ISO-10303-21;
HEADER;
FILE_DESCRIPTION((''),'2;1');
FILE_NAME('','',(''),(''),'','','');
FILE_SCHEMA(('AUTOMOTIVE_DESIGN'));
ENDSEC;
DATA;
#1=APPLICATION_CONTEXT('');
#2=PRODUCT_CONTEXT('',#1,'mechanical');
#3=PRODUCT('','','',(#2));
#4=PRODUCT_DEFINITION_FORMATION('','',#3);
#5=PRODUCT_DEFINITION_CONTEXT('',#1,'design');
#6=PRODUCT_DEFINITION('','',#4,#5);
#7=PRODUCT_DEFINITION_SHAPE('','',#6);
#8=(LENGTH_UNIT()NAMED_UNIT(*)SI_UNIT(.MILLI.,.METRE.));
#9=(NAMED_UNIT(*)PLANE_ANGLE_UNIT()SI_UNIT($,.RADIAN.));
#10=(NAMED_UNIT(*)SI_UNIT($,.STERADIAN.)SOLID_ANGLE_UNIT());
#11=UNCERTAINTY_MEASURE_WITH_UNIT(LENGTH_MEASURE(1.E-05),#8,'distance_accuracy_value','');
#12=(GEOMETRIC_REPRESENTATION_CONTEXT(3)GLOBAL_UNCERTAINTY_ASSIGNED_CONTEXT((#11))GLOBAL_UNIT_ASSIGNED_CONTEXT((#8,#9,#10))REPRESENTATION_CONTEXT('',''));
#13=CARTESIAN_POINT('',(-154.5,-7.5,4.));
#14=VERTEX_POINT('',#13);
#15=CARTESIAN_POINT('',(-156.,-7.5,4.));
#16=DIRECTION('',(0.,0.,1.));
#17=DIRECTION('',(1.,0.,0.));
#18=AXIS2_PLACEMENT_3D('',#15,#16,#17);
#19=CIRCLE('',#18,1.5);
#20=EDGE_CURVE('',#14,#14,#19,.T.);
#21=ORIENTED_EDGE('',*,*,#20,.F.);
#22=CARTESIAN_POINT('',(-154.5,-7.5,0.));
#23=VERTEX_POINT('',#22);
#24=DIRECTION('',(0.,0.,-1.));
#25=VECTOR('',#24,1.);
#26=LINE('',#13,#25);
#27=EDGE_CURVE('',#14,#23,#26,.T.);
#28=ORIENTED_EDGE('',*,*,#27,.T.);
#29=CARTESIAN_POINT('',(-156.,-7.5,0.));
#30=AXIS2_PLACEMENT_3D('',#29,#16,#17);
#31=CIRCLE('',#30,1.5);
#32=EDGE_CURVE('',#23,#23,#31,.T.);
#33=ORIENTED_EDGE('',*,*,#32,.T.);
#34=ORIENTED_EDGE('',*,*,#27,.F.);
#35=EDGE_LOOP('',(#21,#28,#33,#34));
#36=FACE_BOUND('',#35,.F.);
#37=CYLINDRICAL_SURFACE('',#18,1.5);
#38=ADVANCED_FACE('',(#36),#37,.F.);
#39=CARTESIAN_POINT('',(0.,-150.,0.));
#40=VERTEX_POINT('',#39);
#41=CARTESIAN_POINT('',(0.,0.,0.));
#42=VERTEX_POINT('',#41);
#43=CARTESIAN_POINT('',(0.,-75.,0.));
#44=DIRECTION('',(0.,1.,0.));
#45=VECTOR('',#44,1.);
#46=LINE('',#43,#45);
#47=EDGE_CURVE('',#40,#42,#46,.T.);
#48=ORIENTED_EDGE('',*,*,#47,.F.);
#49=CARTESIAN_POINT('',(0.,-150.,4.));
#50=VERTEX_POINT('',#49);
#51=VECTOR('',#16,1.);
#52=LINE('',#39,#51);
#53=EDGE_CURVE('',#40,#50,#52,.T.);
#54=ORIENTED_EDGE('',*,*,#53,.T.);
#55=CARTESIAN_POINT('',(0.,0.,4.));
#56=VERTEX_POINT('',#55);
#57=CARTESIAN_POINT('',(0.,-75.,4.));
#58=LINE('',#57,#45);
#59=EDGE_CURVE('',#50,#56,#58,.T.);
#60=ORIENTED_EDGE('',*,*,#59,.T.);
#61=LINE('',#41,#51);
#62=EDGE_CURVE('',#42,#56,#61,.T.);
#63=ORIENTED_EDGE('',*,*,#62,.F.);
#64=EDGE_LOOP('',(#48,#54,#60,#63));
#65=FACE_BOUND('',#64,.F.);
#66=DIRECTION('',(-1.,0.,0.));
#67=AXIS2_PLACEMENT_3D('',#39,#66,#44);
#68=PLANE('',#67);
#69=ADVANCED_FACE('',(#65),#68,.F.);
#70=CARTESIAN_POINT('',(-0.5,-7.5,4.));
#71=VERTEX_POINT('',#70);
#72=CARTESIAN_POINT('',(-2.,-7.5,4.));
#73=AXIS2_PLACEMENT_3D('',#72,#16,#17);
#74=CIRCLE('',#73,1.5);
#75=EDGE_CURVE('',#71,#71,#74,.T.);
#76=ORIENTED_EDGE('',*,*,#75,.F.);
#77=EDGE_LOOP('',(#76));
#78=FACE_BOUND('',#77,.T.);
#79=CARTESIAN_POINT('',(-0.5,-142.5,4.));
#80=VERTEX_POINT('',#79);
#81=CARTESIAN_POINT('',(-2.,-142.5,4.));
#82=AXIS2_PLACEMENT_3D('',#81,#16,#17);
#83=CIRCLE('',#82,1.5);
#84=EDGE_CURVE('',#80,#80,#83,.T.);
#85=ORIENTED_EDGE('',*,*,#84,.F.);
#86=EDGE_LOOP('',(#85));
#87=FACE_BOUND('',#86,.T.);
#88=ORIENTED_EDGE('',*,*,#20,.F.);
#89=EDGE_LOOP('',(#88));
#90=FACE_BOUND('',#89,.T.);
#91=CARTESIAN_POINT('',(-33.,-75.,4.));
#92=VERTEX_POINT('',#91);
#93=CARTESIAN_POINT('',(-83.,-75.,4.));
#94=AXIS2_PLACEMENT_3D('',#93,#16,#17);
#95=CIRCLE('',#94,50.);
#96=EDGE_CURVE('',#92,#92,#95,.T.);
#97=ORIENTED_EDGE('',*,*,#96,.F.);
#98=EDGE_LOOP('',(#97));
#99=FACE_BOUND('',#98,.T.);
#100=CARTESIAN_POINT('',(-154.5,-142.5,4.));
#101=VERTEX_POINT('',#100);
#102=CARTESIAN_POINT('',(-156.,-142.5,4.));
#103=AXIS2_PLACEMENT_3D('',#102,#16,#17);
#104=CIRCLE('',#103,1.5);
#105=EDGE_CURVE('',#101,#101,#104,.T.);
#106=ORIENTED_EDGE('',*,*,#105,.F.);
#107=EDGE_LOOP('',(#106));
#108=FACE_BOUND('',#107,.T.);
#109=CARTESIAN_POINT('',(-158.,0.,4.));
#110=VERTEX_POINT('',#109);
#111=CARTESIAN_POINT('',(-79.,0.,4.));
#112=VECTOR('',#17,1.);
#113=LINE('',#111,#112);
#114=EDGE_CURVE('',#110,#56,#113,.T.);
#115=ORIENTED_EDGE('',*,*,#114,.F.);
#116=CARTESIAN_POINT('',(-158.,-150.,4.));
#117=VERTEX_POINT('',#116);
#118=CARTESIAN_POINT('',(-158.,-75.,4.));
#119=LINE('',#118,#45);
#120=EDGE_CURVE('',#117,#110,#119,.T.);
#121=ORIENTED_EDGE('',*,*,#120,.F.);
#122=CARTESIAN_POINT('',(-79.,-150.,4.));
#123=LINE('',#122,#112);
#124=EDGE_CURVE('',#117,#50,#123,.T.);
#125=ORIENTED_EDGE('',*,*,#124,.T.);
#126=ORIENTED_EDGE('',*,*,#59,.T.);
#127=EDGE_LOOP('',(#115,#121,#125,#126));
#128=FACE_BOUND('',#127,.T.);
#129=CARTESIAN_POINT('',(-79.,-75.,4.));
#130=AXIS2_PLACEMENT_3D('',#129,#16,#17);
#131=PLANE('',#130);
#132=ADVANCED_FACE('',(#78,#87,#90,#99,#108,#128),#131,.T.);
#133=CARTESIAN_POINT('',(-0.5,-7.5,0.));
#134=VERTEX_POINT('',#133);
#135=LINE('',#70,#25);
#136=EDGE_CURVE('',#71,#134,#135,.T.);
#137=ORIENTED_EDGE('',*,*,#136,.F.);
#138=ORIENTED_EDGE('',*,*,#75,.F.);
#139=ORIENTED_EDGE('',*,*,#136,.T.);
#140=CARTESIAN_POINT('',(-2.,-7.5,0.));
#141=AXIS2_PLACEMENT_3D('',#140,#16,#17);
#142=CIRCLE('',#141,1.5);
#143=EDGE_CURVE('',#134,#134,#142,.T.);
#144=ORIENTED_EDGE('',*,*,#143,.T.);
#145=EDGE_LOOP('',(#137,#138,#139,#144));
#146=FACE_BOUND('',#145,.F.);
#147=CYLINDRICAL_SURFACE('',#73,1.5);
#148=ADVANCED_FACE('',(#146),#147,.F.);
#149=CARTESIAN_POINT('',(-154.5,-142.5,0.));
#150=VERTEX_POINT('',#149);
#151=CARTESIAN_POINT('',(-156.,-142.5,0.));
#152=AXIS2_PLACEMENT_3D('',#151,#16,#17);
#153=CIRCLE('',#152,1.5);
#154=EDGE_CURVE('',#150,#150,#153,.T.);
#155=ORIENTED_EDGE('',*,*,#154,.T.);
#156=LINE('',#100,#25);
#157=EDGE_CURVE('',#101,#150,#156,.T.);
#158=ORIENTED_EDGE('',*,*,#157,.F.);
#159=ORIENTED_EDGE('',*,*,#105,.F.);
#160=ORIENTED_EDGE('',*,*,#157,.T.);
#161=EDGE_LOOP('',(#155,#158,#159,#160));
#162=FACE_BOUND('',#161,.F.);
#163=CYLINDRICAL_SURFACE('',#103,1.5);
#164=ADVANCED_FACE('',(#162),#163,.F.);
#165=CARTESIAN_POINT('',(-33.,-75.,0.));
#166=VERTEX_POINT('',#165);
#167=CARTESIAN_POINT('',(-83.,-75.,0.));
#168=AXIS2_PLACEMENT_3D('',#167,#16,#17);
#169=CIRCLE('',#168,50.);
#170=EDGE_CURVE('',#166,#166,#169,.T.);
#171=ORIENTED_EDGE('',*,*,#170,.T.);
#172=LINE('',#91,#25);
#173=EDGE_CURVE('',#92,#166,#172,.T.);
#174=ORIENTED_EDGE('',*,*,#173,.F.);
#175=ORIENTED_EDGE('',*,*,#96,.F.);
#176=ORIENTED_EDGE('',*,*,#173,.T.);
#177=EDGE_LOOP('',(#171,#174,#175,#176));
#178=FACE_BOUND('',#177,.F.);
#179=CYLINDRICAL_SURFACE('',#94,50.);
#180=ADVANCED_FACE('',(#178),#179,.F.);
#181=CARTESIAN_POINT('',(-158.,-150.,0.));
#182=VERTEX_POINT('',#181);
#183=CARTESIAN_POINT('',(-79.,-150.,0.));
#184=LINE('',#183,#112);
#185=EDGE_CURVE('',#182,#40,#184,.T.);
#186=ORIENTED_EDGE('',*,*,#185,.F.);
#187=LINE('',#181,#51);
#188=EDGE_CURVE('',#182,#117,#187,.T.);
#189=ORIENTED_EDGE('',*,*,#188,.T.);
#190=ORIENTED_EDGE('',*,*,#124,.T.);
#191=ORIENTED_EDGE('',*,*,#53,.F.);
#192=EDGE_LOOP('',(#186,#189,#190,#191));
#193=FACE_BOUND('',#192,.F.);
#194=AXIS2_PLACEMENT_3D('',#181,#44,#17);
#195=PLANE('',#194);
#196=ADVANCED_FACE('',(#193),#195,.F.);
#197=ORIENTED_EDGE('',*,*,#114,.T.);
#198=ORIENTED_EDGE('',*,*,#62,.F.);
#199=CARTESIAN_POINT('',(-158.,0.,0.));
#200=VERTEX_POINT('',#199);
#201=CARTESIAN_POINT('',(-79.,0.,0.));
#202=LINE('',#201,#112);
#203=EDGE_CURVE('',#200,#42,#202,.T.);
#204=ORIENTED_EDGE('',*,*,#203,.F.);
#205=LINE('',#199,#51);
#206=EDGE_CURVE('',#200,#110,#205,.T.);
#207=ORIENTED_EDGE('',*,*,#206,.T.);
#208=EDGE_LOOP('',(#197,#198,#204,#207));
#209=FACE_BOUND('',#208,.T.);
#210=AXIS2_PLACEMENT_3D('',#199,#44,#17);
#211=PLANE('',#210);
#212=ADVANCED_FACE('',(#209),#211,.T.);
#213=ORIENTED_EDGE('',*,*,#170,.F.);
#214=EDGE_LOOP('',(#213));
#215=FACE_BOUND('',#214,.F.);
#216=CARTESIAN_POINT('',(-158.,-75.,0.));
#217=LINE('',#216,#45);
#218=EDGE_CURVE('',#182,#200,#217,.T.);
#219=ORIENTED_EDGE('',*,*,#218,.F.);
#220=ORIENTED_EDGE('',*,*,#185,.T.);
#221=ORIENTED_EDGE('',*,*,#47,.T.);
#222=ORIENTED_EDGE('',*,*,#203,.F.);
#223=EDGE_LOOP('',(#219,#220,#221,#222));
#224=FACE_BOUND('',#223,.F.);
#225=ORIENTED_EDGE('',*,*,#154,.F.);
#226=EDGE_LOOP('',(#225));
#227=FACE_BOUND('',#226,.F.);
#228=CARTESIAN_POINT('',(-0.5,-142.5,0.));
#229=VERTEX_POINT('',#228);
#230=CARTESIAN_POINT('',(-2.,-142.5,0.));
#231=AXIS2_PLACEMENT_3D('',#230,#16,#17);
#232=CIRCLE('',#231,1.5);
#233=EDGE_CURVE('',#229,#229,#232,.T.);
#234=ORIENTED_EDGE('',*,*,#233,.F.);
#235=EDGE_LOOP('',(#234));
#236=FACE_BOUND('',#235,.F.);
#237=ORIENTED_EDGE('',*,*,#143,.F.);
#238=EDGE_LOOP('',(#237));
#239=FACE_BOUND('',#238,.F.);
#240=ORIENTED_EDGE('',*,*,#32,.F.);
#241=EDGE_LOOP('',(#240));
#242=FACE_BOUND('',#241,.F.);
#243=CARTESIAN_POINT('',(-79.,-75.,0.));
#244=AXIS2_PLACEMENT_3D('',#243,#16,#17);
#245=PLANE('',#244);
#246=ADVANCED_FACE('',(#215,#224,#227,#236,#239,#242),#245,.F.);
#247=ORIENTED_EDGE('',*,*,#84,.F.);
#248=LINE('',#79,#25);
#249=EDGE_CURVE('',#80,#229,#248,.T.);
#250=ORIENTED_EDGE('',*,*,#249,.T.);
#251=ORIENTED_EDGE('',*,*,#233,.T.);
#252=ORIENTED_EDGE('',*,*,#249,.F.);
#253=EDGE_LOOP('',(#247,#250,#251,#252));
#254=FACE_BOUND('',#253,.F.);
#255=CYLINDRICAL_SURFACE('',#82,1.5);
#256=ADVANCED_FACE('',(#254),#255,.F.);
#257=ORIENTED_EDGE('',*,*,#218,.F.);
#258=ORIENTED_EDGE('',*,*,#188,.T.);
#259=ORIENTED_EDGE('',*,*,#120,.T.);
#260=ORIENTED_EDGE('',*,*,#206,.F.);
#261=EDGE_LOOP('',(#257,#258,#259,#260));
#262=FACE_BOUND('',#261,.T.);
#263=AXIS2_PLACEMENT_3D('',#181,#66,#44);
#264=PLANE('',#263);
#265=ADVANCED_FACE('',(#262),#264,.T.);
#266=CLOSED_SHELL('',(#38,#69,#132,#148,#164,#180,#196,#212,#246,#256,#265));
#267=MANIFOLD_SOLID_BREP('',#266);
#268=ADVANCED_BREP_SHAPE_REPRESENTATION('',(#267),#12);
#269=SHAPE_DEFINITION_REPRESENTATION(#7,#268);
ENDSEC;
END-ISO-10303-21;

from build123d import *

# Parameters (mm, degrees)
F0_W     = 158
F0_H     = 150
F1_DEPTH = 4
F2_R     = 1.5
F3_DEPTH = 25
F4_R     = 50
F5_DEPTH = 25


with BuildPart() as f1:
    # F0 (on Top) → F1 (new body)
    with BuildSketch(Plane.XY):
        with Locations((-79, -75)):
            Rectangle(F0_W, F0_H)
    extrude(amount=F1_DEPTH)

    # F2 (on face) → F3 (cut)
    with BuildSketch(Plane.XY.offset(4)):
        with Locations((-156, -142.5)):
            Circle(F2_R)
        with Locations((-2, -142.5)):
            Circle(F2_R)
        with Locations((-156, -7.5)):
            Circle(F2_R)
        with Locations((-2, -7.5)):
            Circle(F2_R)
    extrude(amount=-F3_DEPTH, mode=Mode.SUBTRACT)

    # F4 (on face) → F5 (cut)
    with BuildSketch(Plane.XY.offset(4)):
        with Locations((-83, -75)):
            Circle(F4_R)
    extrude(amount=-F5_DEPTH, mode=Mode.SUBTRACT)


solid = f1.part
